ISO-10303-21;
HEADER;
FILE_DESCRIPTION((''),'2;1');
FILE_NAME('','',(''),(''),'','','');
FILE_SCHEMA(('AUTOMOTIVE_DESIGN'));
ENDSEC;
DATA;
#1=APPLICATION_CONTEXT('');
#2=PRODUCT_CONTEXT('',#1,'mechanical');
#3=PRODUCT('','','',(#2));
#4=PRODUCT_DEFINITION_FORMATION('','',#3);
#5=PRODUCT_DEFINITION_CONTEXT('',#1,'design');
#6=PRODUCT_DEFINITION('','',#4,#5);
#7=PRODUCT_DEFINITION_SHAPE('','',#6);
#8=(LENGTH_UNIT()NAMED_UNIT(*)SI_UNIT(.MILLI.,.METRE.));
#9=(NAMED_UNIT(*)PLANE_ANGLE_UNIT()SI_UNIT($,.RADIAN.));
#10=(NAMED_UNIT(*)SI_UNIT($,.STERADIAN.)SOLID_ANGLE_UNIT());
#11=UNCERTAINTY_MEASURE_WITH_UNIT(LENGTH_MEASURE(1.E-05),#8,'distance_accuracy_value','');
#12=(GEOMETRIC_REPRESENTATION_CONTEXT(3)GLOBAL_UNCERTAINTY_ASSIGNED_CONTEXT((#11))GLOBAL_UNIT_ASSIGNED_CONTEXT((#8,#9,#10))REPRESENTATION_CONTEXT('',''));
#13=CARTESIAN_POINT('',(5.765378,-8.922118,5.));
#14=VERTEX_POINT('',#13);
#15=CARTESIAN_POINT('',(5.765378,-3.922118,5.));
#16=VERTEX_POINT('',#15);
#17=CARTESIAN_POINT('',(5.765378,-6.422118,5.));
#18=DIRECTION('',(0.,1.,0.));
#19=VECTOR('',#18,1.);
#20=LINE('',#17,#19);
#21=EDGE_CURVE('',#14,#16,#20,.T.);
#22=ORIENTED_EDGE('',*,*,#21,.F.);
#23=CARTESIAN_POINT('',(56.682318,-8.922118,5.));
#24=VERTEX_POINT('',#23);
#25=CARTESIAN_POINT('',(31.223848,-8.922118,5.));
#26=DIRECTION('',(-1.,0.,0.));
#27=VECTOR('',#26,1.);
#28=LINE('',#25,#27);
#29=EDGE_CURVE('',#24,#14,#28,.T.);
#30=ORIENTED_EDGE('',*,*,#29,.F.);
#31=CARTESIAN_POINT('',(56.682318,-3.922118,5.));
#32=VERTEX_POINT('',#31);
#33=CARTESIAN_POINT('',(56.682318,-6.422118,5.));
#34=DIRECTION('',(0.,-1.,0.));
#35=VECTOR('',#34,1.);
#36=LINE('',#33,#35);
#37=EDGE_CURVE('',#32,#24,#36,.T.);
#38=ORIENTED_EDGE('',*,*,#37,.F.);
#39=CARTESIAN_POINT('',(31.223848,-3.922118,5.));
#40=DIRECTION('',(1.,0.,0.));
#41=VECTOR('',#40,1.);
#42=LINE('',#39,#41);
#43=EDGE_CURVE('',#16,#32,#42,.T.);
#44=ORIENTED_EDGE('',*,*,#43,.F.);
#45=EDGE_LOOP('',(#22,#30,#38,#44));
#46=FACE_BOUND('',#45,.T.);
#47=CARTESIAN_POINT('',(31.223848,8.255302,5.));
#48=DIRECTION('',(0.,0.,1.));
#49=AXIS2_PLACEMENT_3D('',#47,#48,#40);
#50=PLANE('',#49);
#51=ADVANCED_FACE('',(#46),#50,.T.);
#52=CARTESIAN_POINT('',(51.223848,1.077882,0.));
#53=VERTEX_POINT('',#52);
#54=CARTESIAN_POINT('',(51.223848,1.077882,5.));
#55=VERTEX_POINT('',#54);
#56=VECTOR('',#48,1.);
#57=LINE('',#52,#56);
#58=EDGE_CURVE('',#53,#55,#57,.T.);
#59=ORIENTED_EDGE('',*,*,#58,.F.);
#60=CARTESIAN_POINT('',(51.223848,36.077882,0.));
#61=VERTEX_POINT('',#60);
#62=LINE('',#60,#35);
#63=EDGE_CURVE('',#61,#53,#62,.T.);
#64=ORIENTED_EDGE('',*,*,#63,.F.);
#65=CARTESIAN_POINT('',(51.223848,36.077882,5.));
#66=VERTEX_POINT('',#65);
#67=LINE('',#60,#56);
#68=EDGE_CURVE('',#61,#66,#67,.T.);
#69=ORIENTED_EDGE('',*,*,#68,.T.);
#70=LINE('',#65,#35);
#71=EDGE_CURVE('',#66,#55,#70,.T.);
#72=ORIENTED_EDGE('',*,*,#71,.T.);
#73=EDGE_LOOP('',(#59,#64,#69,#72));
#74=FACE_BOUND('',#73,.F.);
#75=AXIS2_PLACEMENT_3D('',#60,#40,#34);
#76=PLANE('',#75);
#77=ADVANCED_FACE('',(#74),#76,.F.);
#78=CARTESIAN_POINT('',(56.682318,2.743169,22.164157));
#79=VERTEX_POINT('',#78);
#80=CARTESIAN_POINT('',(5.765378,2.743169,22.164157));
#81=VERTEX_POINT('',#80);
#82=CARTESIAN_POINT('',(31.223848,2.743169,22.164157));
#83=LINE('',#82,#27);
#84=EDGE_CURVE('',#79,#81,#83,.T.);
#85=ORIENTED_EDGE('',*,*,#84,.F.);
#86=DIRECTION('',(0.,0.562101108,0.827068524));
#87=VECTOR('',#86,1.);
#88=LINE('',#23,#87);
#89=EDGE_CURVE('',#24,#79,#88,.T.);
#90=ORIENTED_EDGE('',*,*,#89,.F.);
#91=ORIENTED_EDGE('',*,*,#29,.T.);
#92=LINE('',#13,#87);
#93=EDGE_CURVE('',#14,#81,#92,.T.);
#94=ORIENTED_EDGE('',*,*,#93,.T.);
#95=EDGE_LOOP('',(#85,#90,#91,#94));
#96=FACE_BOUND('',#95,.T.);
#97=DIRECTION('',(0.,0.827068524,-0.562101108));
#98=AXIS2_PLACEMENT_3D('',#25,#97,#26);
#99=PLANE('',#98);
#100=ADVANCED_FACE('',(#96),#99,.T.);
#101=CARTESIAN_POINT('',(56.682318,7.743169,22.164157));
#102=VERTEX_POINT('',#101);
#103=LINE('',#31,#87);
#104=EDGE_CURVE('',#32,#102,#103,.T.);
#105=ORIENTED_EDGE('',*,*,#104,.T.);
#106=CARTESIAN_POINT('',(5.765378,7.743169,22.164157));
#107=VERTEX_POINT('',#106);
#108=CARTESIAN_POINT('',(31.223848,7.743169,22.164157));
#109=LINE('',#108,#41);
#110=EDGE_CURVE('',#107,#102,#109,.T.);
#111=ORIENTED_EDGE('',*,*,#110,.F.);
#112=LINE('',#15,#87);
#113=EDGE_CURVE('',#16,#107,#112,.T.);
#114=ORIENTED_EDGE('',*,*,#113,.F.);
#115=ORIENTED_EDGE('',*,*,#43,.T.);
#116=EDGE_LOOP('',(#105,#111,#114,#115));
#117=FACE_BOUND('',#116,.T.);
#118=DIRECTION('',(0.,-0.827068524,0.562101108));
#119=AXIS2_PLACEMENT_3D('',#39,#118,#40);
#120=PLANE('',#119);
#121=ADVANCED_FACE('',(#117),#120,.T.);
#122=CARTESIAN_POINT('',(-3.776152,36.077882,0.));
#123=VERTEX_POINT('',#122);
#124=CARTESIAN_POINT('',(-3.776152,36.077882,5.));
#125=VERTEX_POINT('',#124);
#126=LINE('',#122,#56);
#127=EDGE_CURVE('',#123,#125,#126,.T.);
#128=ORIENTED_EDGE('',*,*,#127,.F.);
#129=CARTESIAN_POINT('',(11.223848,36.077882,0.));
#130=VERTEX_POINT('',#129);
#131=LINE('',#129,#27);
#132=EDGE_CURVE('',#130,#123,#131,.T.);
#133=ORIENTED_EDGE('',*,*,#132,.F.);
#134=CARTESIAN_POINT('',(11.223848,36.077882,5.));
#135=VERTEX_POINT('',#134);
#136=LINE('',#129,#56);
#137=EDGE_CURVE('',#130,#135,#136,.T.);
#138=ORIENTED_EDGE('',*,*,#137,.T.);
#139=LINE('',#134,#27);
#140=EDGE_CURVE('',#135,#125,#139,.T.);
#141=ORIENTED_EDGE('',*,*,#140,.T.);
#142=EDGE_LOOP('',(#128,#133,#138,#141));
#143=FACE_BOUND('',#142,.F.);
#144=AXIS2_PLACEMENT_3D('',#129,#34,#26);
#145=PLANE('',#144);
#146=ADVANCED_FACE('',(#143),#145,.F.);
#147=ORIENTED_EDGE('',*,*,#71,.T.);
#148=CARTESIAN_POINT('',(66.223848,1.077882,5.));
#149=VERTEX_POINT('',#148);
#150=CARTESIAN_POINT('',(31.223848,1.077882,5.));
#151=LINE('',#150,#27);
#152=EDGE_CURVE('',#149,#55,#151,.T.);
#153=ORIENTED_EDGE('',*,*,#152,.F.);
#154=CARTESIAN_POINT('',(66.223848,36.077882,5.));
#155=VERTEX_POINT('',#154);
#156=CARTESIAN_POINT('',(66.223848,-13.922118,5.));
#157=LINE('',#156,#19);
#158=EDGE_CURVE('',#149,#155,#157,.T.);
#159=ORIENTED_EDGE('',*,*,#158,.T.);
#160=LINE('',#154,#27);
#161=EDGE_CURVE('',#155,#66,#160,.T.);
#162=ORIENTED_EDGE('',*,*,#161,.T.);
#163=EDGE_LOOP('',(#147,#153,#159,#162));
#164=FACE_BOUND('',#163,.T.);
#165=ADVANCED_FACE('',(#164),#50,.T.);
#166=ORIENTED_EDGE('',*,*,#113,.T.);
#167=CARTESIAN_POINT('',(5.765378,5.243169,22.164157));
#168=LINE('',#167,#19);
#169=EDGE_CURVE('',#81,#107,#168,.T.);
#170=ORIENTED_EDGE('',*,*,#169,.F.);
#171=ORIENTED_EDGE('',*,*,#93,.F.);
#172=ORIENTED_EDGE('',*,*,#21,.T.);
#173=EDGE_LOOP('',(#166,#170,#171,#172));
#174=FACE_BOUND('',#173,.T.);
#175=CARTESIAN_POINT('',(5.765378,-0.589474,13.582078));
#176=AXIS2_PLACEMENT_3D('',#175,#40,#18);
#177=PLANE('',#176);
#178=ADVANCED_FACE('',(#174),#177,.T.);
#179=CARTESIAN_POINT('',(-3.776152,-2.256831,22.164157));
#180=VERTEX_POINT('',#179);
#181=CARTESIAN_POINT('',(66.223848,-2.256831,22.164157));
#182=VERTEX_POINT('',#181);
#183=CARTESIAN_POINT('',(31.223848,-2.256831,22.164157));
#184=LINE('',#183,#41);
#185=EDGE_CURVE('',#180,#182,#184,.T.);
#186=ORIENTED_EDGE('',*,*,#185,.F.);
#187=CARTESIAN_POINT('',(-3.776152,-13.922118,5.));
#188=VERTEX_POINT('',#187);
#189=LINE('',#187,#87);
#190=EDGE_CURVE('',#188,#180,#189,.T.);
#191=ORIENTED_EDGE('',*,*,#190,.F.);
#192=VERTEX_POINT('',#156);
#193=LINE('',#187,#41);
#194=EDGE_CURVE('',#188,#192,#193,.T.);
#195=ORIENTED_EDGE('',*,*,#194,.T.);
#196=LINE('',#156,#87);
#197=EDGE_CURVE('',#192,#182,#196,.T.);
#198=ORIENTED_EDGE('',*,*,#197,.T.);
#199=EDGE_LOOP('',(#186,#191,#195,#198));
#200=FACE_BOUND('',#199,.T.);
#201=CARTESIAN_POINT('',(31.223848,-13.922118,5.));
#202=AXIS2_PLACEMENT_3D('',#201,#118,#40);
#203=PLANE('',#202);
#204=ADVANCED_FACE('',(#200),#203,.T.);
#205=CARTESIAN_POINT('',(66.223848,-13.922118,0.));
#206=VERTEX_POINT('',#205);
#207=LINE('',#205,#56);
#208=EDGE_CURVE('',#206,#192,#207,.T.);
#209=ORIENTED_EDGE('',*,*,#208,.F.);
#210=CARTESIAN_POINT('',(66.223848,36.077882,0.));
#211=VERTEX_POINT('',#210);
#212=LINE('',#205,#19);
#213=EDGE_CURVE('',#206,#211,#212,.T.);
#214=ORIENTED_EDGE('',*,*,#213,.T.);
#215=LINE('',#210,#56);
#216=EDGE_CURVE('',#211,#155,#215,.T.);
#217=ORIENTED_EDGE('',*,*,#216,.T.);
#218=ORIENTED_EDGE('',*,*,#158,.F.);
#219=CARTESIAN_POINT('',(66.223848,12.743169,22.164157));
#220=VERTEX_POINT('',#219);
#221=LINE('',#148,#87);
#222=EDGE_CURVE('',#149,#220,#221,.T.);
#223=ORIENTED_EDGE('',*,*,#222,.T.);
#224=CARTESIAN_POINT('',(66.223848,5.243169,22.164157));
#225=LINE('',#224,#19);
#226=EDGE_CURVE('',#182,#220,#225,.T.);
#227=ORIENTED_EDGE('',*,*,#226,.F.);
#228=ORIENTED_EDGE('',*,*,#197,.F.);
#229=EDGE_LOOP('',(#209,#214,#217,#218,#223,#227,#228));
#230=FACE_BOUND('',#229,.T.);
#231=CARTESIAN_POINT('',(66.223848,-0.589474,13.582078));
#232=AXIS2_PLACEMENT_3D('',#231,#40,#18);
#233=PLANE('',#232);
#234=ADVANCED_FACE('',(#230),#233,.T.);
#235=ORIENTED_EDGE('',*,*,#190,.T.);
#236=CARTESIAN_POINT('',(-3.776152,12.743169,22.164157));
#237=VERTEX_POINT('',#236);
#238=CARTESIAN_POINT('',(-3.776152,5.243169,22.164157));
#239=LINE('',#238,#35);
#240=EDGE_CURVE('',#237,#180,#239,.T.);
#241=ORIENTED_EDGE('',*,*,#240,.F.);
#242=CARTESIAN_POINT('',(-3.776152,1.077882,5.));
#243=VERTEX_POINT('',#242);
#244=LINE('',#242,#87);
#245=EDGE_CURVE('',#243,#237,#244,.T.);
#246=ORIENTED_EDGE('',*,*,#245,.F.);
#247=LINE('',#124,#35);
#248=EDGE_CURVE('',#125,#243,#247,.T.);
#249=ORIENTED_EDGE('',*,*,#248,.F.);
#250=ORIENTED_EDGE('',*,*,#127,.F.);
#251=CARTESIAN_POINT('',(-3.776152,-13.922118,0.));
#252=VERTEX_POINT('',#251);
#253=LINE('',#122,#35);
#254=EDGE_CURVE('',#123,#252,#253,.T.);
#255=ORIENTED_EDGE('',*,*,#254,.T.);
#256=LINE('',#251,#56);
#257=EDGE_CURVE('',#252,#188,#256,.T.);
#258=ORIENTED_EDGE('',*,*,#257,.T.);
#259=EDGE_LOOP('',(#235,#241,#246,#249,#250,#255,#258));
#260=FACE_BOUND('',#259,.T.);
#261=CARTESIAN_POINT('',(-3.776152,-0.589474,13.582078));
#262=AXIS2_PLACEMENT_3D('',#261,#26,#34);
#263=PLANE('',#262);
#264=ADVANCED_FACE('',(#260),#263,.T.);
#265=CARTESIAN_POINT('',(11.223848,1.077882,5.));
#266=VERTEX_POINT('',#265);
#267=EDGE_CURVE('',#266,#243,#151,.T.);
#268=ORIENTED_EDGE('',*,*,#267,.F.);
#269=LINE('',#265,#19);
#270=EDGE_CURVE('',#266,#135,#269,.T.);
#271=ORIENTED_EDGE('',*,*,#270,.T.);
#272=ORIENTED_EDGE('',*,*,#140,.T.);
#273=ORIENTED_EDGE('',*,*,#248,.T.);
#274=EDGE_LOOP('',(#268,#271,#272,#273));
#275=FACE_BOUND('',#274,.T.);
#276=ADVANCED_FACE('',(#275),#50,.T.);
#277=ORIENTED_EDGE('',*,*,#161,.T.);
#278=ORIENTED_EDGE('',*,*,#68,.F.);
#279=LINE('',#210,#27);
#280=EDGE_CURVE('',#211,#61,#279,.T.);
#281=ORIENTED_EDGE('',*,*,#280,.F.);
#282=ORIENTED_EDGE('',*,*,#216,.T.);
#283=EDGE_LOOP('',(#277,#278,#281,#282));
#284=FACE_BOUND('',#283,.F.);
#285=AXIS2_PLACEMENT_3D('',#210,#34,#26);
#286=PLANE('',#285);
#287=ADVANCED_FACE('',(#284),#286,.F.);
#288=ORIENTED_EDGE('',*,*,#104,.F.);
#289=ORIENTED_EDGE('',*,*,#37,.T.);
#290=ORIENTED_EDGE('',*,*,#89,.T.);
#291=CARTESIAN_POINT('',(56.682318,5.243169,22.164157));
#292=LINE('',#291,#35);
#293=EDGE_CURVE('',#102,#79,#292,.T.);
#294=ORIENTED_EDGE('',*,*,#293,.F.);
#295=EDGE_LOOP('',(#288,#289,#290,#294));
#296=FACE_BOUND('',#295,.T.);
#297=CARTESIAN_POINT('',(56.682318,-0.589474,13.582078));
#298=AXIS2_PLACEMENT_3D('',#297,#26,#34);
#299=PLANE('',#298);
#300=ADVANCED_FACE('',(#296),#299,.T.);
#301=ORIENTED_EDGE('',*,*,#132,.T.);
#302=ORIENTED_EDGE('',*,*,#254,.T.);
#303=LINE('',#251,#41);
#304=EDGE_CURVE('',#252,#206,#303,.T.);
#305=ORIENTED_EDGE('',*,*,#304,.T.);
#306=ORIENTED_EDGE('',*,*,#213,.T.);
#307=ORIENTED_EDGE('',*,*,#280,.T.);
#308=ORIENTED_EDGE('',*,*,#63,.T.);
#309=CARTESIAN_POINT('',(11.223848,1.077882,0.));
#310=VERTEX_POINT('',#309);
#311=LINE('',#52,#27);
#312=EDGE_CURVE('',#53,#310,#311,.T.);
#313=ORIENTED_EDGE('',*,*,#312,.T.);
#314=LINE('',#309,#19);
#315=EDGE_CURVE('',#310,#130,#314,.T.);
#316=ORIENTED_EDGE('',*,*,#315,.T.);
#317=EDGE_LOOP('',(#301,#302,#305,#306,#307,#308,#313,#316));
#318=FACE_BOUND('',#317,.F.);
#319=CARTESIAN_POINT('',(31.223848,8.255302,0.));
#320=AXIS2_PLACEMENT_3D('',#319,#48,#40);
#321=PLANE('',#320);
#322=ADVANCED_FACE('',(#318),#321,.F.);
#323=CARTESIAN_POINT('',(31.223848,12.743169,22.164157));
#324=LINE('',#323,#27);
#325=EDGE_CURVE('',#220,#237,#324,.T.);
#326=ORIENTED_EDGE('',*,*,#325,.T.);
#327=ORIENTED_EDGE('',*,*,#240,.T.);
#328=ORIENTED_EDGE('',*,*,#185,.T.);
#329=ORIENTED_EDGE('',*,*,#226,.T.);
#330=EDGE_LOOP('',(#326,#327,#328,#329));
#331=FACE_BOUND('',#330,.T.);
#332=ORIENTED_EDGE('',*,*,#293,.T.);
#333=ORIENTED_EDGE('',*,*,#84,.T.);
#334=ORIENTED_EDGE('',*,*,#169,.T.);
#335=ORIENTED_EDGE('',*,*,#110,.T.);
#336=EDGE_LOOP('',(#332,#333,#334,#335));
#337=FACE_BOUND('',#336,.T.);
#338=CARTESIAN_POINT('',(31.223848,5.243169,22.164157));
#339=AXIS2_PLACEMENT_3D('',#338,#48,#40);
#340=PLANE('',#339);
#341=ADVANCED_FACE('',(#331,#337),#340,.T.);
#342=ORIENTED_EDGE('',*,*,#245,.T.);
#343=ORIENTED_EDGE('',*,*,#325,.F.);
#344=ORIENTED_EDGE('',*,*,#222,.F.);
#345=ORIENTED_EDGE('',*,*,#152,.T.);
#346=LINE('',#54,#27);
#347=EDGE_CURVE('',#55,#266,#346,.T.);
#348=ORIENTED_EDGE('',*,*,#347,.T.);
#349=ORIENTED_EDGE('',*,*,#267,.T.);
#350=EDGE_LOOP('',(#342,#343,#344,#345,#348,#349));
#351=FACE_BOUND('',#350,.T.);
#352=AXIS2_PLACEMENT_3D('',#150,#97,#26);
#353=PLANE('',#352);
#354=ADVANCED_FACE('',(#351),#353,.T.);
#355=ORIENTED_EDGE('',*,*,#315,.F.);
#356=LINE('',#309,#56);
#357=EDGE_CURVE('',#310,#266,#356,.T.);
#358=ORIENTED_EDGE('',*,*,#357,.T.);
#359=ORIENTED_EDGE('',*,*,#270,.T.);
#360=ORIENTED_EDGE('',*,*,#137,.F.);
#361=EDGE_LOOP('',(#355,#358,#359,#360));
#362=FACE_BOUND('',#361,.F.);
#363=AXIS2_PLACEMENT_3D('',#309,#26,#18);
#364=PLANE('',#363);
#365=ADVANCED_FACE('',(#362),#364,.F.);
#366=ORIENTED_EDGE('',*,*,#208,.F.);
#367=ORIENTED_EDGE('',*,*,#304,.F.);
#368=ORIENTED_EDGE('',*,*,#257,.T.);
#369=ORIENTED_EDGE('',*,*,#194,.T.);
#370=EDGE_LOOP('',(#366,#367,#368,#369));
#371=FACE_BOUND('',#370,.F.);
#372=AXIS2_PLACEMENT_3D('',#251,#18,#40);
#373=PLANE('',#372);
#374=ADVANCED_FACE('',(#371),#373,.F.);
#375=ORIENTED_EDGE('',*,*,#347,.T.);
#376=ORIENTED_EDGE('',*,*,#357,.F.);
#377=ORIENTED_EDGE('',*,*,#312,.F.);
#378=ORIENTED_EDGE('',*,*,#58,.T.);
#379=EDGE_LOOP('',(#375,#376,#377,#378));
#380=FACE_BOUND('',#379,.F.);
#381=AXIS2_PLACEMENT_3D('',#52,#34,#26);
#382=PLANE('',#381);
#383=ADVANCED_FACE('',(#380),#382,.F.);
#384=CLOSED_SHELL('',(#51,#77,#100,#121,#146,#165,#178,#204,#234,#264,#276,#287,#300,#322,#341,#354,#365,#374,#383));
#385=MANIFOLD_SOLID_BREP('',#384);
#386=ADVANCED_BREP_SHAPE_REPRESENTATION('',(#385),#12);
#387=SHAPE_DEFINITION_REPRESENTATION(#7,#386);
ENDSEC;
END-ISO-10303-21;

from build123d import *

# Parameters (mm, degrees)
F1_DEPTH = 5
F3_W     = 70
F3_H     = 15
F3_W_2   = 50.9169398992
F3_H_2   = 5


with BuildPart() as f1:
    # F0 (on Top) → F1 (new body)
    with BuildSketch(Plane.XY):
        Polygon((-3.7761517194, 36.0778824546), (-3.7761517194, -13.9221175454), (66.2238482806, -13.9221175454), (66.2238482806, 36.0778824546), (51.2238482806, 36.0778824546), (51.2238482806, 1.0778824546), (11.2238482806, 1.0778824546), (11.2238482806, 36.0778824546), align=None)
    extrude(amount=F1_DEPTH)

    # F4: sweep along a path in F2
    with BuildLine(Plane(origin=(-3.7761517194, 0, 0), x_dir=(0, -1, 0), z_dir=(-1, 0, 0))) as f4_path:
        Line((13.9221175454, 5), (2.2568308138, 22.1641566604))
    # F3 (on face) → F4 (sweep)
    with BuildSketch(Plane.XY.offset(5)):
        with Locations((31.2238482806, -6.4221175454)):
            Rectangle(F3_W, F3_H)
        with Locations((31.2238482806, -6.4221175454)):
            Rectangle(F3_W_2, F3_H_2, mode=Mode.SUBTRACT)
    sweep(path=f4_path.line)


solid = f1.part
